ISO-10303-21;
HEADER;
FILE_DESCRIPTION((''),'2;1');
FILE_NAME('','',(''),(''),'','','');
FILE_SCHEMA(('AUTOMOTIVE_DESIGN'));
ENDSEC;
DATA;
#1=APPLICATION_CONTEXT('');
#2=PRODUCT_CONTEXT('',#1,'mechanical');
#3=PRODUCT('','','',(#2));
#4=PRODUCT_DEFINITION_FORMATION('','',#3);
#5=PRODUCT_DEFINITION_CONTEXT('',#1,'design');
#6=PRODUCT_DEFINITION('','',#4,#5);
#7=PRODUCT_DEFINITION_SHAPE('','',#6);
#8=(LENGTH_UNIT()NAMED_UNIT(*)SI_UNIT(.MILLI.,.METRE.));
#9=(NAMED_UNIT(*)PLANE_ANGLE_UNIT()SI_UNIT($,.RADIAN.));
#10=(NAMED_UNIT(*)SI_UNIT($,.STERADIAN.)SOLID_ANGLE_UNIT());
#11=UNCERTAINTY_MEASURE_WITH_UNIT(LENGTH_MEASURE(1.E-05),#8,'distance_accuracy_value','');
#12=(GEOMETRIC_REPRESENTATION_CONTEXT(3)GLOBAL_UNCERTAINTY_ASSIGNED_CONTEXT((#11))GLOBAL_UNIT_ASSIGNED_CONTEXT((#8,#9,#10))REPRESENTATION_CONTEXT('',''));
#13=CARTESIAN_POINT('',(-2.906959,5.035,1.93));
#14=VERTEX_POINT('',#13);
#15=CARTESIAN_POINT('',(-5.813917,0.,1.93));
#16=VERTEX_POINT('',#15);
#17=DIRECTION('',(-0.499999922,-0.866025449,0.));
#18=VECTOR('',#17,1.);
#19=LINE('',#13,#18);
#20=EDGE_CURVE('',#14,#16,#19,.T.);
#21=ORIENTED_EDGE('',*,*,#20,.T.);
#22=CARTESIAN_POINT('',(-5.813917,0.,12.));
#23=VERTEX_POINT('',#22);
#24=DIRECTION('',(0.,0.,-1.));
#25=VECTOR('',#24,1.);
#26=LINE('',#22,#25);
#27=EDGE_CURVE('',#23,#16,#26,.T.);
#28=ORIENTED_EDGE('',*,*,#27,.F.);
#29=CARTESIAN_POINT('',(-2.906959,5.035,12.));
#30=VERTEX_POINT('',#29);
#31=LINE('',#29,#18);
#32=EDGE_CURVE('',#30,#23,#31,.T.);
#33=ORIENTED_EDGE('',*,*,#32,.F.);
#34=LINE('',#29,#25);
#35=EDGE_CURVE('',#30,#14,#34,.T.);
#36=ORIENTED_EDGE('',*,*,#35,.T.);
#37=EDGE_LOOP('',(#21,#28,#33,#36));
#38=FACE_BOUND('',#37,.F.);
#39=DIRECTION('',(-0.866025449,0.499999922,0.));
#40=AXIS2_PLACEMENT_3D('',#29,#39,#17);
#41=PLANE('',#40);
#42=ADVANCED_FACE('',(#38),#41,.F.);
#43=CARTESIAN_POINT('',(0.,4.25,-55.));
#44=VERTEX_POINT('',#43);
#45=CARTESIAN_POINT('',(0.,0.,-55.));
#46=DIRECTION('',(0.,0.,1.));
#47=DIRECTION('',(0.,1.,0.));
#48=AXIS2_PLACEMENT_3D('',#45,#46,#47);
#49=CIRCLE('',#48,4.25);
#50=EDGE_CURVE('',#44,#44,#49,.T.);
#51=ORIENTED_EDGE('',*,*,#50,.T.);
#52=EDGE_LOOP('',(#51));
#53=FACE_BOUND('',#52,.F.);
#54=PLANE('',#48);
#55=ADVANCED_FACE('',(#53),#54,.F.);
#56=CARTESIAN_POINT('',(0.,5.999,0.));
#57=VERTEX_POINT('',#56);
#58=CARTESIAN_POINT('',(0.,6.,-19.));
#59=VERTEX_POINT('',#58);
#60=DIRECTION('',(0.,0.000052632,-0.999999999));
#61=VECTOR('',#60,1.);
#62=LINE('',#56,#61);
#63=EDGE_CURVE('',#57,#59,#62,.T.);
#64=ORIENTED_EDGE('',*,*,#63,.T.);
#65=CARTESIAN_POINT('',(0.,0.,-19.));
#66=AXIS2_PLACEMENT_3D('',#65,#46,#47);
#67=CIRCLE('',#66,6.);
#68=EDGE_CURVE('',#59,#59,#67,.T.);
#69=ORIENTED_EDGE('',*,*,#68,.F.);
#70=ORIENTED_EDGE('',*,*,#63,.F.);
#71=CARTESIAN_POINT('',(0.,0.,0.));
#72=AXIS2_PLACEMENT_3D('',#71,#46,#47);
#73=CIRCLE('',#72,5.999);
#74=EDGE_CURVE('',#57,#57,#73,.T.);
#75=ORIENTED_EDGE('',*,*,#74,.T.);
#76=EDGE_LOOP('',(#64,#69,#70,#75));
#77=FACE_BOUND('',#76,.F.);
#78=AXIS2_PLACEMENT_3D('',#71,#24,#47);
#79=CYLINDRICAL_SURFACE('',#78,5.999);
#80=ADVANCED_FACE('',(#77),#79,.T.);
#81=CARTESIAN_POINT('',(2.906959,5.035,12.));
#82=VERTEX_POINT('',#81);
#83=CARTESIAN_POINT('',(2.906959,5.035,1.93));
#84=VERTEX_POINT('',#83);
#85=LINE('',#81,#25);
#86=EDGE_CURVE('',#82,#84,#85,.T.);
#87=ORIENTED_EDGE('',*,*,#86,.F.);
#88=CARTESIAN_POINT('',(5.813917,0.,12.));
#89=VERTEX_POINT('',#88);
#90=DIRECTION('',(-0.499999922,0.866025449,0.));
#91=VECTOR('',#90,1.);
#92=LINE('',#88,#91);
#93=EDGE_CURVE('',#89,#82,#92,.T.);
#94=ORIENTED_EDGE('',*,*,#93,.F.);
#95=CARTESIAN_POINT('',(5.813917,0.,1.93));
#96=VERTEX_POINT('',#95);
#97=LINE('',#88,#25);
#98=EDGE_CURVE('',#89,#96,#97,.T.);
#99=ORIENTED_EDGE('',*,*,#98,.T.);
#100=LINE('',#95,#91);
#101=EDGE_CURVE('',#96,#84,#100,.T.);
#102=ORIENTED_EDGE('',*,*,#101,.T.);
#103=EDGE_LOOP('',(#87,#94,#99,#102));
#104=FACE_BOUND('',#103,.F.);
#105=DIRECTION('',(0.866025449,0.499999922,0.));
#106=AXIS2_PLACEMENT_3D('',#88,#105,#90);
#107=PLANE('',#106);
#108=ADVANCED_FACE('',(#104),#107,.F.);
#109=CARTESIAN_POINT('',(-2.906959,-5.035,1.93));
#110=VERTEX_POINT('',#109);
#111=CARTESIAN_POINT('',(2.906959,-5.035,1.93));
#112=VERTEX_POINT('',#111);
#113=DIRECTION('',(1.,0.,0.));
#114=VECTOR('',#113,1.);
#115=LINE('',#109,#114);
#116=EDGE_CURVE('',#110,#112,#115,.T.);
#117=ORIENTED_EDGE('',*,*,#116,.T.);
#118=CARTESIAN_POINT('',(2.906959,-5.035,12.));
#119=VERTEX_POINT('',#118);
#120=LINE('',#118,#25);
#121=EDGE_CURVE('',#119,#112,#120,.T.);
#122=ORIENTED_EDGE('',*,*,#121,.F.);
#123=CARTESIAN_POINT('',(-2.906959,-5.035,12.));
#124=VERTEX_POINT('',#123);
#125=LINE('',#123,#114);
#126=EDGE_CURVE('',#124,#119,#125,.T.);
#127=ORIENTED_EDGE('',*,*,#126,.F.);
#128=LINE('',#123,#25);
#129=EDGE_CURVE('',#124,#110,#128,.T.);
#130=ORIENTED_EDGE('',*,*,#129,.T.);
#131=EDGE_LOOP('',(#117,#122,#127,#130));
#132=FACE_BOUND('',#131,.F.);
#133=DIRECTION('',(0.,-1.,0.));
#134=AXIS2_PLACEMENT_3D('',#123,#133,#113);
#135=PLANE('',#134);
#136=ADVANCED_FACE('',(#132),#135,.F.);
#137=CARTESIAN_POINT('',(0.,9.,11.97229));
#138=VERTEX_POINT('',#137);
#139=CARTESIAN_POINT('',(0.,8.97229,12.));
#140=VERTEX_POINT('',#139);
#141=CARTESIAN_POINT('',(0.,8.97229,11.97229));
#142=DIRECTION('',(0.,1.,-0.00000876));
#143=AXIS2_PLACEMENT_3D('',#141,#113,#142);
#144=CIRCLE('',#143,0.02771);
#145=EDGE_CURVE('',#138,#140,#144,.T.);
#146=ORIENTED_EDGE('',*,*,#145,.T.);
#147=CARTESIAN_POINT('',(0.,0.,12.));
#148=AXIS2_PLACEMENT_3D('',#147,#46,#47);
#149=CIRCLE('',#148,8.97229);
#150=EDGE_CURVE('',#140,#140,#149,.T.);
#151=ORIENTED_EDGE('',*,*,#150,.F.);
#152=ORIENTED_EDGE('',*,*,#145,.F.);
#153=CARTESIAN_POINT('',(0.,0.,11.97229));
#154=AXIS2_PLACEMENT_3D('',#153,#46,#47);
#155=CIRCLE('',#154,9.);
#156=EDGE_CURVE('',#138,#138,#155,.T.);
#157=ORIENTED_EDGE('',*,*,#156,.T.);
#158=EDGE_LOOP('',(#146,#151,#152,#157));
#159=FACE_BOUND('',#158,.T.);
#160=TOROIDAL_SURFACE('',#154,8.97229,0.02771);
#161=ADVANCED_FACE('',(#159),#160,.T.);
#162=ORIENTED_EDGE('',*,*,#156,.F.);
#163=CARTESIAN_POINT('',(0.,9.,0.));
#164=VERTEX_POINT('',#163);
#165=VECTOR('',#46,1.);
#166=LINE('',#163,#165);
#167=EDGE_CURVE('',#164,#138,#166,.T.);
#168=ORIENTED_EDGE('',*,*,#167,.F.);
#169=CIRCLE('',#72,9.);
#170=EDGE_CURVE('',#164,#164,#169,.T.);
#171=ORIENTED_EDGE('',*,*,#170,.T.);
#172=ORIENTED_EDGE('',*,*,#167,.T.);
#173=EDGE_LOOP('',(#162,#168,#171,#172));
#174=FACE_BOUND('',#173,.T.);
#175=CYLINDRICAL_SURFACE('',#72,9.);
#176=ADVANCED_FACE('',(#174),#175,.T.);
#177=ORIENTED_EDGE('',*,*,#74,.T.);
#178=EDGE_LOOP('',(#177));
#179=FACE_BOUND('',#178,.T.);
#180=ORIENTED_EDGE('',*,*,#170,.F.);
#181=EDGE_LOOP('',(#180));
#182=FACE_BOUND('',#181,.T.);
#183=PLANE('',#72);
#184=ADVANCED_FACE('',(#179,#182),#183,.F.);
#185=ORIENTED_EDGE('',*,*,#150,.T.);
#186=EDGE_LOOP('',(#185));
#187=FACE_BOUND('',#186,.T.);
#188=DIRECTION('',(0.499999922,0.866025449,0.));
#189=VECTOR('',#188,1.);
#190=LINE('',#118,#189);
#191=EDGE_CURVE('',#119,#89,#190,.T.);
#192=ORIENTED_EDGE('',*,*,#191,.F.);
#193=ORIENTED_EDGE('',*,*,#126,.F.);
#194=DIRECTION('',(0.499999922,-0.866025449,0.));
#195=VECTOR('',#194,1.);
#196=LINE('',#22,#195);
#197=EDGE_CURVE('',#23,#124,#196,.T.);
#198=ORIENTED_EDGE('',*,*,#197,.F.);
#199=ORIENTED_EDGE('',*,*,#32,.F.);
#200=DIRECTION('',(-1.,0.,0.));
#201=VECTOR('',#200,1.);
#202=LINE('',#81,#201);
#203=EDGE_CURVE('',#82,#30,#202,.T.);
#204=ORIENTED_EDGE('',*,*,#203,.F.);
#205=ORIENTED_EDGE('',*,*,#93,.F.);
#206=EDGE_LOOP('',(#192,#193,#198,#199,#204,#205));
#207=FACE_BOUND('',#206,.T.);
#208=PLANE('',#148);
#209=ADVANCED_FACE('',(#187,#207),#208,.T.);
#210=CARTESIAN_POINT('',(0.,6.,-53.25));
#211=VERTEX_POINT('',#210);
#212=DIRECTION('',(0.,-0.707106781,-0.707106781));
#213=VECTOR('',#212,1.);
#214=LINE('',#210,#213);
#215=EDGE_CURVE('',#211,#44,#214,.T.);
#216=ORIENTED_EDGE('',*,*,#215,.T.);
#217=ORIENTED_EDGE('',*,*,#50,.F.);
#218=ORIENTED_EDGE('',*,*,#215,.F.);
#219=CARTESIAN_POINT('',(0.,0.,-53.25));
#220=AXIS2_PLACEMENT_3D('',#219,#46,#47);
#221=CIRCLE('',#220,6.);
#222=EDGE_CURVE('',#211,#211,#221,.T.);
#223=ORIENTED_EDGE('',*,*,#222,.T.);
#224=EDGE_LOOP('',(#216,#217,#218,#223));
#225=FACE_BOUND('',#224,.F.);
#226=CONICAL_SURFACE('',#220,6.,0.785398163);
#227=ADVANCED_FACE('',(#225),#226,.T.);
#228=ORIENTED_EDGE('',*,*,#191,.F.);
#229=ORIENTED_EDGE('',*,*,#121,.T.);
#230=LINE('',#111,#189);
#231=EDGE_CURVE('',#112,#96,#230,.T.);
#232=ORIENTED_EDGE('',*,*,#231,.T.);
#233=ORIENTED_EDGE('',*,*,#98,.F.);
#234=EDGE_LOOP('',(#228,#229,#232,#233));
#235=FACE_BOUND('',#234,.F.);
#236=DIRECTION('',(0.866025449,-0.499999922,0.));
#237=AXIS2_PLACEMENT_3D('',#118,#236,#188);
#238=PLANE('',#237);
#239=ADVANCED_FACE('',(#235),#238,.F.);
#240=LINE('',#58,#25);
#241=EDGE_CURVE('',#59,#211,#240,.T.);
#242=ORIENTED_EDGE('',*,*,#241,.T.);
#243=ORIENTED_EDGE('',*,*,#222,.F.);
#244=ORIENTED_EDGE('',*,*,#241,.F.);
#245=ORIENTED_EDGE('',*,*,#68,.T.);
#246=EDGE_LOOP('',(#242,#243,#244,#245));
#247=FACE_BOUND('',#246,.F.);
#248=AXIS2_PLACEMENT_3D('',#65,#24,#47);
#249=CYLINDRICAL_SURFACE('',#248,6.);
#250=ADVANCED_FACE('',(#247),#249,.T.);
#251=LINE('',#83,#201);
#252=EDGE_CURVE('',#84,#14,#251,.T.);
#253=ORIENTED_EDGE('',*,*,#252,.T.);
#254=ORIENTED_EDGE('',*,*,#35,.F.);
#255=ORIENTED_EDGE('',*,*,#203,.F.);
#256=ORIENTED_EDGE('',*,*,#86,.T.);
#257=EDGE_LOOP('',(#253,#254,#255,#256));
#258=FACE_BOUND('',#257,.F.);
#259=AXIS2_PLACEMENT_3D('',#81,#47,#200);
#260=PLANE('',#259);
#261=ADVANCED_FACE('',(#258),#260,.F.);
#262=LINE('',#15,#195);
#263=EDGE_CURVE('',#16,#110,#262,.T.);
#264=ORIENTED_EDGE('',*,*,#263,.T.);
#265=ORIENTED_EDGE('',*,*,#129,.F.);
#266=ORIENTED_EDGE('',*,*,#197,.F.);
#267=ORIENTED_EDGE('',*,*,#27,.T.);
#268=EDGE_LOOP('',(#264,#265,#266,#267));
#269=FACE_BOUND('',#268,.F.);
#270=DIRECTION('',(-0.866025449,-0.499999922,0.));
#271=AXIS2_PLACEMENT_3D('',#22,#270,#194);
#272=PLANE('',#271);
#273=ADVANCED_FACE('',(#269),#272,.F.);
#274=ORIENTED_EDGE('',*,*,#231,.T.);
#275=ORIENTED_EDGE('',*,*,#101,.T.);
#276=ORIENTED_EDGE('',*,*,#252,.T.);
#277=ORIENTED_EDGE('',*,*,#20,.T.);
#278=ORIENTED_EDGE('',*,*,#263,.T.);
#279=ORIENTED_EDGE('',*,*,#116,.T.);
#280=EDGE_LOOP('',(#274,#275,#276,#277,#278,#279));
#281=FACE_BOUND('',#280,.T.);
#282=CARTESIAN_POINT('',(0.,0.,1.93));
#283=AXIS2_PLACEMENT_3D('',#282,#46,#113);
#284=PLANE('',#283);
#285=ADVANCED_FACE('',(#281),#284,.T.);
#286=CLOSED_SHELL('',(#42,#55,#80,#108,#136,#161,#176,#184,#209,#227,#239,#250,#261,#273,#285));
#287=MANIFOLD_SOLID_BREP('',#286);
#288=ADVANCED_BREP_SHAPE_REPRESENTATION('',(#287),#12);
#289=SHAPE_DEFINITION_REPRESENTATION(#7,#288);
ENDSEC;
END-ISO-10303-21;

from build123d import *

# Parameters (mm, degrees)
POCKET_DEPTH = 10.07


with BuildPart() as part:
    # Sketch → Revolve (revolve)
    with BuildSketch(Plane.YZ):
        with BuildLine():
            Line((5.999, 0), (9, 0))
            Line((9, 0), (9, 11.97229))
            ThreePointArc((9, 11.97229), (8.991884, 11.991884), (8.97229, 12))
            Line((8.97229, 12), (0, 12))
            Line((0, -55), (0, 12))
            Line((4.25, -55), (0, -55))
            Line((6, -53.25), (4.25, -55))
            Line((6, -19), (6, -53.25))
            Line((5.999, 0), (6, -19))
        make_face()
    revolve(axis=Axis((0, 0, 0), (0, 0, 1)))

    # Sketch001 → Pocket (cut)
    with BuildSketch(Plane.XY.offset(12)):
        Polygon((5.813917, 0), (2.906959, 5.035), (-2.906959, 5.035), (-5.813917, 0), (-2.906959, -5.035), (2.906959, -5.035), align=None)
    extrude(amount=-POCKET_DEPTH, mode=Mode.SUBTRACT)


solid = part.part
